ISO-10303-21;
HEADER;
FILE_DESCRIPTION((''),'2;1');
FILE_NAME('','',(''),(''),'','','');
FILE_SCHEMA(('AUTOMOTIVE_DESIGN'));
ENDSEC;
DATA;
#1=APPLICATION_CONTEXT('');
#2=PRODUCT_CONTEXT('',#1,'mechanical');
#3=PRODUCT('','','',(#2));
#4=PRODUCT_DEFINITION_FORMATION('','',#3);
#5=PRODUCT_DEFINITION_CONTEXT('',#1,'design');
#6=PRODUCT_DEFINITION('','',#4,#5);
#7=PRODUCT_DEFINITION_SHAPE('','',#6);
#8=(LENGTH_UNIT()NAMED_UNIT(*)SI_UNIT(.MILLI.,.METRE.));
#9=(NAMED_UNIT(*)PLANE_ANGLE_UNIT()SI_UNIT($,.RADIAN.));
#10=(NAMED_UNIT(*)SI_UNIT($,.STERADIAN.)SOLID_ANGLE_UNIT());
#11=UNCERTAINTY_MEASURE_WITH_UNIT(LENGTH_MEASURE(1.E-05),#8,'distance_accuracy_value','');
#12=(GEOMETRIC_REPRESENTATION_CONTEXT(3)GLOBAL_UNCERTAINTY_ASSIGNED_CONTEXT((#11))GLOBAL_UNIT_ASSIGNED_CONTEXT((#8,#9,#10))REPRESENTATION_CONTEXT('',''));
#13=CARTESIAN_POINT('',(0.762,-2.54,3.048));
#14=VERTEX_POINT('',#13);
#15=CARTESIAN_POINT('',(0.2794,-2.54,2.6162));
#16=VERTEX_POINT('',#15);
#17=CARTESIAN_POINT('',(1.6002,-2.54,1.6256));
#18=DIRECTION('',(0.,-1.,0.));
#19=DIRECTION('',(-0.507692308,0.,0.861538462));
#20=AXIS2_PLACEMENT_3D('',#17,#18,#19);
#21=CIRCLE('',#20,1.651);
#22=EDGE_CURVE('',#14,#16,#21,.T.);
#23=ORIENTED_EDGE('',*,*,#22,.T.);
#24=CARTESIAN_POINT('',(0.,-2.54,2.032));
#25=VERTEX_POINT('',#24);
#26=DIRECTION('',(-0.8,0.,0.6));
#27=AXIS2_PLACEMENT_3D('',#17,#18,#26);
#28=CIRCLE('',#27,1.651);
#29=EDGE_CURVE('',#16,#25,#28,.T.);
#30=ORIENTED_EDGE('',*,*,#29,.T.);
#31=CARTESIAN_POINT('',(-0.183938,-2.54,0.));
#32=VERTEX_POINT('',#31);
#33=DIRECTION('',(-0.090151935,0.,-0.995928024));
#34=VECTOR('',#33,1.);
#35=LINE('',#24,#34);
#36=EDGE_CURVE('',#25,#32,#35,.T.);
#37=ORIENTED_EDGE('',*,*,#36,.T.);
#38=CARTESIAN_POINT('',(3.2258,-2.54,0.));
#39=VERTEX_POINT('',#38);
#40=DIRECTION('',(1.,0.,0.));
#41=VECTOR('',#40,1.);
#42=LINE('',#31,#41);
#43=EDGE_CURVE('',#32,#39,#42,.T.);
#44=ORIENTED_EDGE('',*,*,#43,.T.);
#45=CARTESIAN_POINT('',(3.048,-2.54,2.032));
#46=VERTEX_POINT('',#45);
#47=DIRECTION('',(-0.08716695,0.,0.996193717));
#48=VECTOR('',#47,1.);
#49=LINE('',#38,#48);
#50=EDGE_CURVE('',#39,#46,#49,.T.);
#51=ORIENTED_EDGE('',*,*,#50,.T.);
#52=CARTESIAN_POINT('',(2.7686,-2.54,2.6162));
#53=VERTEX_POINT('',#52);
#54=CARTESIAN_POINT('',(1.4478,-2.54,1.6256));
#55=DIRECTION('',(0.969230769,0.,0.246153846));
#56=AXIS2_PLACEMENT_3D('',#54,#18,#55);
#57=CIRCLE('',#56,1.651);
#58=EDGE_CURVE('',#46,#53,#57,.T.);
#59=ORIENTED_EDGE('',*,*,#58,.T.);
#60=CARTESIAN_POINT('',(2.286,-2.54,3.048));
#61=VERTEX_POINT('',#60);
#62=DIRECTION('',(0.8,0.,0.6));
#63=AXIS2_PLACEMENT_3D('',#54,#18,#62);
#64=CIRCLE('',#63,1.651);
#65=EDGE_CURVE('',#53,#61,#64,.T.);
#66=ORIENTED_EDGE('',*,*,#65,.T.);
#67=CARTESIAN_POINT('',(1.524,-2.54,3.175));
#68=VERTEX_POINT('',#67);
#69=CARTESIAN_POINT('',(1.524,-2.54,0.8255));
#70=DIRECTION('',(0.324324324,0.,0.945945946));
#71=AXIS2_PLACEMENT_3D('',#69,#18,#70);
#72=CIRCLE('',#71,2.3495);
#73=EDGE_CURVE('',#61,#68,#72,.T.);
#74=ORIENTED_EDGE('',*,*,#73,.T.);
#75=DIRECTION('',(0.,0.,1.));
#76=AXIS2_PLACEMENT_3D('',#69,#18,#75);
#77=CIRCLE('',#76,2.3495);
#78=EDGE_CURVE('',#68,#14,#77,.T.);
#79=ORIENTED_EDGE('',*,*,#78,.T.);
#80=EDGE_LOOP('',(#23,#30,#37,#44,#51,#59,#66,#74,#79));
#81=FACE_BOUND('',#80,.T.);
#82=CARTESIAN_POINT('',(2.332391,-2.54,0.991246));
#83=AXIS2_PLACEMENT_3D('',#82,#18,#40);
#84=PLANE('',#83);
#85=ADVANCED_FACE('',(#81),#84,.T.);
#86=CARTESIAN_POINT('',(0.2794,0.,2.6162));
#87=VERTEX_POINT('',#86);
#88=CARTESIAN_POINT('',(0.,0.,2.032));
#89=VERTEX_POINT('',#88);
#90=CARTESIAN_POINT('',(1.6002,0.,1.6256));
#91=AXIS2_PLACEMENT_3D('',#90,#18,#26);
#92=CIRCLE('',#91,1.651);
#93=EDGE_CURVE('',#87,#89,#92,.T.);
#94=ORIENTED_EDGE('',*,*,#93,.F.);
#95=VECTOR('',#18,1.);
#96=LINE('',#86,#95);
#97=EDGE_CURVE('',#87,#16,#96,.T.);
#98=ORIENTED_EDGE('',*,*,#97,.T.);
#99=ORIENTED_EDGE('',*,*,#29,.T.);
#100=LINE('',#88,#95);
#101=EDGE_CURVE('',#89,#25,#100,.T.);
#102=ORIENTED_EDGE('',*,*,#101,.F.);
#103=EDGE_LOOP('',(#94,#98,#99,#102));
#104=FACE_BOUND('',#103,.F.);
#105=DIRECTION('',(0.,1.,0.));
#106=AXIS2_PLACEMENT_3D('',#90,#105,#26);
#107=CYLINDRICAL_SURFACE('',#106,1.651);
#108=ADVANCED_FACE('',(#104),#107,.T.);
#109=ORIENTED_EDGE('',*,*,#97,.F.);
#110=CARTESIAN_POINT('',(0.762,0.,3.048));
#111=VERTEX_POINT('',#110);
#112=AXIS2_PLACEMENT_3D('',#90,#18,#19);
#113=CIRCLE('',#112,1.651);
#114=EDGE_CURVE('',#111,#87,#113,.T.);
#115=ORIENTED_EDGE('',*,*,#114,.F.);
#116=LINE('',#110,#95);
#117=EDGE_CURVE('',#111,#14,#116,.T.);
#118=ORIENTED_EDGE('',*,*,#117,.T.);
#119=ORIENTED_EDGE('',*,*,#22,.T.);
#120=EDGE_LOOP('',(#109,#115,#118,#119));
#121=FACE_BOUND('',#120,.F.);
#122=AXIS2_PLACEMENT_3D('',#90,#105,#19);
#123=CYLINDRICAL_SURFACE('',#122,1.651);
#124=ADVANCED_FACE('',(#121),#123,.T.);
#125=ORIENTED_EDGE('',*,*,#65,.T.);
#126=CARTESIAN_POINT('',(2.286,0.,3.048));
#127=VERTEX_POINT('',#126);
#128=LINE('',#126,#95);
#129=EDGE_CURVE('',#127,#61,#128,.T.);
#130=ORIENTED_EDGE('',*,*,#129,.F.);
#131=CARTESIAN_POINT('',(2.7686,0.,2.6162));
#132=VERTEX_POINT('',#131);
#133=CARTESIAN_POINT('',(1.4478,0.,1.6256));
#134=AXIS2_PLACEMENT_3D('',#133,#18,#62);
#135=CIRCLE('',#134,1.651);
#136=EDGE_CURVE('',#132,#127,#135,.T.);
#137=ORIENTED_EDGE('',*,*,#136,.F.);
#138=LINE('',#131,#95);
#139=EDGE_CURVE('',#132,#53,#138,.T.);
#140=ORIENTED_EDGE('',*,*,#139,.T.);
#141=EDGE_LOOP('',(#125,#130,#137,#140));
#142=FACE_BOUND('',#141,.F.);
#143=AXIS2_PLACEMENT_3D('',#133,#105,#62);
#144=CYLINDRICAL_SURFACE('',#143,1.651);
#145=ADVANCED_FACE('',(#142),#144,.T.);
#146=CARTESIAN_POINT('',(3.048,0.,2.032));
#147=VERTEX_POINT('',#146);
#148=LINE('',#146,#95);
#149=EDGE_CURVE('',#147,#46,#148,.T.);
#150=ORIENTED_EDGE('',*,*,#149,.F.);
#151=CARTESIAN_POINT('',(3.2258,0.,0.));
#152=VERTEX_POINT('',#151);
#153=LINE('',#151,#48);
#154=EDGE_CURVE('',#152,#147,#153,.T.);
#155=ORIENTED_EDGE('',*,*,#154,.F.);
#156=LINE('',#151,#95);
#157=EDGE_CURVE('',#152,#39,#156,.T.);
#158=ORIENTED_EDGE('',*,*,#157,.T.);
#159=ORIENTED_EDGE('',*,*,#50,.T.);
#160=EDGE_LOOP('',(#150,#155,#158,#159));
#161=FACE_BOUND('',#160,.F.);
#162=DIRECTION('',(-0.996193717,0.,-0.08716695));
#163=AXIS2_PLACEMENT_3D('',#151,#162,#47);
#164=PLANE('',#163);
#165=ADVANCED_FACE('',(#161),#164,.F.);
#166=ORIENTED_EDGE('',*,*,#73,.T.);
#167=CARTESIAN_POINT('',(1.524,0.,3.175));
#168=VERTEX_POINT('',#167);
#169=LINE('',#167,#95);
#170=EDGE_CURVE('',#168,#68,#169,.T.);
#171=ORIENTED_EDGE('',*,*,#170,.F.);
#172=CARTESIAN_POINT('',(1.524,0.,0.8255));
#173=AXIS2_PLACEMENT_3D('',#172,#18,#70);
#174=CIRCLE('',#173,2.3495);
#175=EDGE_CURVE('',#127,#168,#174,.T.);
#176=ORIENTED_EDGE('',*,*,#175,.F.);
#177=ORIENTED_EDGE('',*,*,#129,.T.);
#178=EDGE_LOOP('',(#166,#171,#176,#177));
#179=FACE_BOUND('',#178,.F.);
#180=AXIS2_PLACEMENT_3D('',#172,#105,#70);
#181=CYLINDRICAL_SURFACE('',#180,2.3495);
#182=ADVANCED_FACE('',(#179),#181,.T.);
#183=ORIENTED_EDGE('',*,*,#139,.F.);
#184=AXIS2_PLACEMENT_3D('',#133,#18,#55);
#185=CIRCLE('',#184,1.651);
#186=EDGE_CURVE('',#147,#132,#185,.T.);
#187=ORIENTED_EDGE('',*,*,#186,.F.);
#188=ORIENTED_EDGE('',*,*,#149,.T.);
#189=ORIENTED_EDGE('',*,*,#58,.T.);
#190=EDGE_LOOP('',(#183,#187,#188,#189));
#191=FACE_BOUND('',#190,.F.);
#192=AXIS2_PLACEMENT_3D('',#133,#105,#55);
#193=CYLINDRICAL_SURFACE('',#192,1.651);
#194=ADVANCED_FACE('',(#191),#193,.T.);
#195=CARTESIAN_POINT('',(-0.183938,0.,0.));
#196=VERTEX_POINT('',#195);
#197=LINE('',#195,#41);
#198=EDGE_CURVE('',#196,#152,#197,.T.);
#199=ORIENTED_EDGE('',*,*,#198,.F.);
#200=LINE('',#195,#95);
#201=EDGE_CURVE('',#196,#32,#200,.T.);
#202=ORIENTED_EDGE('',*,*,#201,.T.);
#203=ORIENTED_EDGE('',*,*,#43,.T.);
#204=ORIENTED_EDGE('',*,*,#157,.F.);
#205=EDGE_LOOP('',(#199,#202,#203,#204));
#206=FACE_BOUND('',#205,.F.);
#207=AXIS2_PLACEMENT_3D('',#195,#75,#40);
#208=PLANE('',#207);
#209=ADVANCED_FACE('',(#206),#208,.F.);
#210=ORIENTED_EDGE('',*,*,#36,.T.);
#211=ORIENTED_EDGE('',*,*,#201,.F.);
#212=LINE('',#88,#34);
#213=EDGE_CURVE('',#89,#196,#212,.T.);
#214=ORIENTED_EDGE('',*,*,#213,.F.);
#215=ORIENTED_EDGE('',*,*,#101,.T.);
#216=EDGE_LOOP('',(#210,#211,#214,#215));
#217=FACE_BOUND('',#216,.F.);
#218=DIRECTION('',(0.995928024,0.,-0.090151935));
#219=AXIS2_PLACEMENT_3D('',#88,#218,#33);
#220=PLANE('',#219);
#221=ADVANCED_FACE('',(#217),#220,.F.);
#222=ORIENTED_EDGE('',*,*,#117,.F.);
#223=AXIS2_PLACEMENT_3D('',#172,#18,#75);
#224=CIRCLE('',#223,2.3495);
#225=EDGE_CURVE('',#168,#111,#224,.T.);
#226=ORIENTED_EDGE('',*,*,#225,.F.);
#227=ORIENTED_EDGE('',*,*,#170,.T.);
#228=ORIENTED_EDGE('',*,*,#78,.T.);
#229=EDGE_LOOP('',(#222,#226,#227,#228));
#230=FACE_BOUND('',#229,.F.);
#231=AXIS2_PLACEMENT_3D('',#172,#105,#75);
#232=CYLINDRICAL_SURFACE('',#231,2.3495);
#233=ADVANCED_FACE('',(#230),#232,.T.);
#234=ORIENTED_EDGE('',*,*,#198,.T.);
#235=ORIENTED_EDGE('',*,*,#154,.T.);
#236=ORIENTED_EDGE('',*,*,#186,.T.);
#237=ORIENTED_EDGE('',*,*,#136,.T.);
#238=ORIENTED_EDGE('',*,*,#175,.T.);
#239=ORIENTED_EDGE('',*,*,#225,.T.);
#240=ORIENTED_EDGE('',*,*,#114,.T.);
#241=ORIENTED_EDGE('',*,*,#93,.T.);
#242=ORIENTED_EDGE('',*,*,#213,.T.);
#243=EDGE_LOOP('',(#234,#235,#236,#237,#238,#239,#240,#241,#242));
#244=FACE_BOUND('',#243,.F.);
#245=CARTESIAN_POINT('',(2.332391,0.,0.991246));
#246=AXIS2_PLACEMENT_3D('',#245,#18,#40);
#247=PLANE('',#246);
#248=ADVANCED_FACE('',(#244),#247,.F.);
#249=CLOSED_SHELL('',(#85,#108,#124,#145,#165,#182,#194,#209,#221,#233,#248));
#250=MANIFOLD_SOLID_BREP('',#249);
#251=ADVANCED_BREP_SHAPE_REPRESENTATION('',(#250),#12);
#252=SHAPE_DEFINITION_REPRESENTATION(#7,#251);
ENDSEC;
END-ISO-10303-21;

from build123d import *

# Parameters (mm, degrees)
F1_DEPTH = 2.54


with BuildPart() as f1:
    # F0 (on Front) → F1 (new body)
    with BuildSketch(Plane.XZ):
        Polygon((3.2258, 0), (3.048, 2.032), (1.524, 2.032), (1.524, 0), align=None)
        Polygon((1.524, 2.032), (3.048, 2.032), (2.667, 2.54), (2.286, 3.048), (1.524, 3.048), align=None)
        with BuildLine():
            Line((2.667, 2.54), (3.048, 2.032))
            ThreePointArc((3.048, 2.032), (2.9372235999, 2.337933026), (2.7686, 2.6162))
            Line((2.7686, 2.6162), (2.667, 2.54))
        make_face()
        Polygon((1.524, 0), (1.524, 2.032), (0, 2.032), (-0.1839377219, 0), align=None)
        Polygon((0, 2.032), (1.524, 2.032), (1.524, 3.048), (0.762, 3.048), (0.381, 2.54), align=None)
        with BuildLine():
            Line((2.286, 3.048), (2.667, 2.54))
            Line((2.667, 2.54), (2.7686, 2.6162))
            ThreePointArc((2.7686, 2.6162), (2.548678313, 2.8559934086), (2.286, 3.048))
        make_face()
        with BuildLine():
            ThreePointArc((0.2794, 2.6162), (0.1107764001, 2.337933026), (0, 2.032))
            Line((0, 2.032), (0.381, 2.54))
            Line((0.381, 2.54), (0.2794, 2.6162))
        make_face()
        with BuildLine():
            Line((1.524, 3.175), (1.524, 3.048))
            Line((1.524, 3.048), (2.286, 3.048))
            ThreePointArc((2.286, 3.048), (1.9102554207, 3.143032524), (1.524, 3.175))
        make_face()
        with BuildLine():
            Line((0.762, 3.048), (1.524, 3.048))
            Line((1.524, 3.048), (1.524, 3.175))
            ThreePointArc((1.524, 3.175), (1.1377445793, 3.143032524), (0.762, 3.048))
        make_face()
        with BuildLine():
            Line((0.2794, 2.6162), (0.381, 2.54))
            Line((0.381, 2.54), (0.762, 3.048))
            ThreePointArc((0.762, 3.048), (0.499321687, 2.8559934086), (0.2794, 2.6162))
        make_face()
    extrude(amount=F1_DEPTH)


solid = f1.part
